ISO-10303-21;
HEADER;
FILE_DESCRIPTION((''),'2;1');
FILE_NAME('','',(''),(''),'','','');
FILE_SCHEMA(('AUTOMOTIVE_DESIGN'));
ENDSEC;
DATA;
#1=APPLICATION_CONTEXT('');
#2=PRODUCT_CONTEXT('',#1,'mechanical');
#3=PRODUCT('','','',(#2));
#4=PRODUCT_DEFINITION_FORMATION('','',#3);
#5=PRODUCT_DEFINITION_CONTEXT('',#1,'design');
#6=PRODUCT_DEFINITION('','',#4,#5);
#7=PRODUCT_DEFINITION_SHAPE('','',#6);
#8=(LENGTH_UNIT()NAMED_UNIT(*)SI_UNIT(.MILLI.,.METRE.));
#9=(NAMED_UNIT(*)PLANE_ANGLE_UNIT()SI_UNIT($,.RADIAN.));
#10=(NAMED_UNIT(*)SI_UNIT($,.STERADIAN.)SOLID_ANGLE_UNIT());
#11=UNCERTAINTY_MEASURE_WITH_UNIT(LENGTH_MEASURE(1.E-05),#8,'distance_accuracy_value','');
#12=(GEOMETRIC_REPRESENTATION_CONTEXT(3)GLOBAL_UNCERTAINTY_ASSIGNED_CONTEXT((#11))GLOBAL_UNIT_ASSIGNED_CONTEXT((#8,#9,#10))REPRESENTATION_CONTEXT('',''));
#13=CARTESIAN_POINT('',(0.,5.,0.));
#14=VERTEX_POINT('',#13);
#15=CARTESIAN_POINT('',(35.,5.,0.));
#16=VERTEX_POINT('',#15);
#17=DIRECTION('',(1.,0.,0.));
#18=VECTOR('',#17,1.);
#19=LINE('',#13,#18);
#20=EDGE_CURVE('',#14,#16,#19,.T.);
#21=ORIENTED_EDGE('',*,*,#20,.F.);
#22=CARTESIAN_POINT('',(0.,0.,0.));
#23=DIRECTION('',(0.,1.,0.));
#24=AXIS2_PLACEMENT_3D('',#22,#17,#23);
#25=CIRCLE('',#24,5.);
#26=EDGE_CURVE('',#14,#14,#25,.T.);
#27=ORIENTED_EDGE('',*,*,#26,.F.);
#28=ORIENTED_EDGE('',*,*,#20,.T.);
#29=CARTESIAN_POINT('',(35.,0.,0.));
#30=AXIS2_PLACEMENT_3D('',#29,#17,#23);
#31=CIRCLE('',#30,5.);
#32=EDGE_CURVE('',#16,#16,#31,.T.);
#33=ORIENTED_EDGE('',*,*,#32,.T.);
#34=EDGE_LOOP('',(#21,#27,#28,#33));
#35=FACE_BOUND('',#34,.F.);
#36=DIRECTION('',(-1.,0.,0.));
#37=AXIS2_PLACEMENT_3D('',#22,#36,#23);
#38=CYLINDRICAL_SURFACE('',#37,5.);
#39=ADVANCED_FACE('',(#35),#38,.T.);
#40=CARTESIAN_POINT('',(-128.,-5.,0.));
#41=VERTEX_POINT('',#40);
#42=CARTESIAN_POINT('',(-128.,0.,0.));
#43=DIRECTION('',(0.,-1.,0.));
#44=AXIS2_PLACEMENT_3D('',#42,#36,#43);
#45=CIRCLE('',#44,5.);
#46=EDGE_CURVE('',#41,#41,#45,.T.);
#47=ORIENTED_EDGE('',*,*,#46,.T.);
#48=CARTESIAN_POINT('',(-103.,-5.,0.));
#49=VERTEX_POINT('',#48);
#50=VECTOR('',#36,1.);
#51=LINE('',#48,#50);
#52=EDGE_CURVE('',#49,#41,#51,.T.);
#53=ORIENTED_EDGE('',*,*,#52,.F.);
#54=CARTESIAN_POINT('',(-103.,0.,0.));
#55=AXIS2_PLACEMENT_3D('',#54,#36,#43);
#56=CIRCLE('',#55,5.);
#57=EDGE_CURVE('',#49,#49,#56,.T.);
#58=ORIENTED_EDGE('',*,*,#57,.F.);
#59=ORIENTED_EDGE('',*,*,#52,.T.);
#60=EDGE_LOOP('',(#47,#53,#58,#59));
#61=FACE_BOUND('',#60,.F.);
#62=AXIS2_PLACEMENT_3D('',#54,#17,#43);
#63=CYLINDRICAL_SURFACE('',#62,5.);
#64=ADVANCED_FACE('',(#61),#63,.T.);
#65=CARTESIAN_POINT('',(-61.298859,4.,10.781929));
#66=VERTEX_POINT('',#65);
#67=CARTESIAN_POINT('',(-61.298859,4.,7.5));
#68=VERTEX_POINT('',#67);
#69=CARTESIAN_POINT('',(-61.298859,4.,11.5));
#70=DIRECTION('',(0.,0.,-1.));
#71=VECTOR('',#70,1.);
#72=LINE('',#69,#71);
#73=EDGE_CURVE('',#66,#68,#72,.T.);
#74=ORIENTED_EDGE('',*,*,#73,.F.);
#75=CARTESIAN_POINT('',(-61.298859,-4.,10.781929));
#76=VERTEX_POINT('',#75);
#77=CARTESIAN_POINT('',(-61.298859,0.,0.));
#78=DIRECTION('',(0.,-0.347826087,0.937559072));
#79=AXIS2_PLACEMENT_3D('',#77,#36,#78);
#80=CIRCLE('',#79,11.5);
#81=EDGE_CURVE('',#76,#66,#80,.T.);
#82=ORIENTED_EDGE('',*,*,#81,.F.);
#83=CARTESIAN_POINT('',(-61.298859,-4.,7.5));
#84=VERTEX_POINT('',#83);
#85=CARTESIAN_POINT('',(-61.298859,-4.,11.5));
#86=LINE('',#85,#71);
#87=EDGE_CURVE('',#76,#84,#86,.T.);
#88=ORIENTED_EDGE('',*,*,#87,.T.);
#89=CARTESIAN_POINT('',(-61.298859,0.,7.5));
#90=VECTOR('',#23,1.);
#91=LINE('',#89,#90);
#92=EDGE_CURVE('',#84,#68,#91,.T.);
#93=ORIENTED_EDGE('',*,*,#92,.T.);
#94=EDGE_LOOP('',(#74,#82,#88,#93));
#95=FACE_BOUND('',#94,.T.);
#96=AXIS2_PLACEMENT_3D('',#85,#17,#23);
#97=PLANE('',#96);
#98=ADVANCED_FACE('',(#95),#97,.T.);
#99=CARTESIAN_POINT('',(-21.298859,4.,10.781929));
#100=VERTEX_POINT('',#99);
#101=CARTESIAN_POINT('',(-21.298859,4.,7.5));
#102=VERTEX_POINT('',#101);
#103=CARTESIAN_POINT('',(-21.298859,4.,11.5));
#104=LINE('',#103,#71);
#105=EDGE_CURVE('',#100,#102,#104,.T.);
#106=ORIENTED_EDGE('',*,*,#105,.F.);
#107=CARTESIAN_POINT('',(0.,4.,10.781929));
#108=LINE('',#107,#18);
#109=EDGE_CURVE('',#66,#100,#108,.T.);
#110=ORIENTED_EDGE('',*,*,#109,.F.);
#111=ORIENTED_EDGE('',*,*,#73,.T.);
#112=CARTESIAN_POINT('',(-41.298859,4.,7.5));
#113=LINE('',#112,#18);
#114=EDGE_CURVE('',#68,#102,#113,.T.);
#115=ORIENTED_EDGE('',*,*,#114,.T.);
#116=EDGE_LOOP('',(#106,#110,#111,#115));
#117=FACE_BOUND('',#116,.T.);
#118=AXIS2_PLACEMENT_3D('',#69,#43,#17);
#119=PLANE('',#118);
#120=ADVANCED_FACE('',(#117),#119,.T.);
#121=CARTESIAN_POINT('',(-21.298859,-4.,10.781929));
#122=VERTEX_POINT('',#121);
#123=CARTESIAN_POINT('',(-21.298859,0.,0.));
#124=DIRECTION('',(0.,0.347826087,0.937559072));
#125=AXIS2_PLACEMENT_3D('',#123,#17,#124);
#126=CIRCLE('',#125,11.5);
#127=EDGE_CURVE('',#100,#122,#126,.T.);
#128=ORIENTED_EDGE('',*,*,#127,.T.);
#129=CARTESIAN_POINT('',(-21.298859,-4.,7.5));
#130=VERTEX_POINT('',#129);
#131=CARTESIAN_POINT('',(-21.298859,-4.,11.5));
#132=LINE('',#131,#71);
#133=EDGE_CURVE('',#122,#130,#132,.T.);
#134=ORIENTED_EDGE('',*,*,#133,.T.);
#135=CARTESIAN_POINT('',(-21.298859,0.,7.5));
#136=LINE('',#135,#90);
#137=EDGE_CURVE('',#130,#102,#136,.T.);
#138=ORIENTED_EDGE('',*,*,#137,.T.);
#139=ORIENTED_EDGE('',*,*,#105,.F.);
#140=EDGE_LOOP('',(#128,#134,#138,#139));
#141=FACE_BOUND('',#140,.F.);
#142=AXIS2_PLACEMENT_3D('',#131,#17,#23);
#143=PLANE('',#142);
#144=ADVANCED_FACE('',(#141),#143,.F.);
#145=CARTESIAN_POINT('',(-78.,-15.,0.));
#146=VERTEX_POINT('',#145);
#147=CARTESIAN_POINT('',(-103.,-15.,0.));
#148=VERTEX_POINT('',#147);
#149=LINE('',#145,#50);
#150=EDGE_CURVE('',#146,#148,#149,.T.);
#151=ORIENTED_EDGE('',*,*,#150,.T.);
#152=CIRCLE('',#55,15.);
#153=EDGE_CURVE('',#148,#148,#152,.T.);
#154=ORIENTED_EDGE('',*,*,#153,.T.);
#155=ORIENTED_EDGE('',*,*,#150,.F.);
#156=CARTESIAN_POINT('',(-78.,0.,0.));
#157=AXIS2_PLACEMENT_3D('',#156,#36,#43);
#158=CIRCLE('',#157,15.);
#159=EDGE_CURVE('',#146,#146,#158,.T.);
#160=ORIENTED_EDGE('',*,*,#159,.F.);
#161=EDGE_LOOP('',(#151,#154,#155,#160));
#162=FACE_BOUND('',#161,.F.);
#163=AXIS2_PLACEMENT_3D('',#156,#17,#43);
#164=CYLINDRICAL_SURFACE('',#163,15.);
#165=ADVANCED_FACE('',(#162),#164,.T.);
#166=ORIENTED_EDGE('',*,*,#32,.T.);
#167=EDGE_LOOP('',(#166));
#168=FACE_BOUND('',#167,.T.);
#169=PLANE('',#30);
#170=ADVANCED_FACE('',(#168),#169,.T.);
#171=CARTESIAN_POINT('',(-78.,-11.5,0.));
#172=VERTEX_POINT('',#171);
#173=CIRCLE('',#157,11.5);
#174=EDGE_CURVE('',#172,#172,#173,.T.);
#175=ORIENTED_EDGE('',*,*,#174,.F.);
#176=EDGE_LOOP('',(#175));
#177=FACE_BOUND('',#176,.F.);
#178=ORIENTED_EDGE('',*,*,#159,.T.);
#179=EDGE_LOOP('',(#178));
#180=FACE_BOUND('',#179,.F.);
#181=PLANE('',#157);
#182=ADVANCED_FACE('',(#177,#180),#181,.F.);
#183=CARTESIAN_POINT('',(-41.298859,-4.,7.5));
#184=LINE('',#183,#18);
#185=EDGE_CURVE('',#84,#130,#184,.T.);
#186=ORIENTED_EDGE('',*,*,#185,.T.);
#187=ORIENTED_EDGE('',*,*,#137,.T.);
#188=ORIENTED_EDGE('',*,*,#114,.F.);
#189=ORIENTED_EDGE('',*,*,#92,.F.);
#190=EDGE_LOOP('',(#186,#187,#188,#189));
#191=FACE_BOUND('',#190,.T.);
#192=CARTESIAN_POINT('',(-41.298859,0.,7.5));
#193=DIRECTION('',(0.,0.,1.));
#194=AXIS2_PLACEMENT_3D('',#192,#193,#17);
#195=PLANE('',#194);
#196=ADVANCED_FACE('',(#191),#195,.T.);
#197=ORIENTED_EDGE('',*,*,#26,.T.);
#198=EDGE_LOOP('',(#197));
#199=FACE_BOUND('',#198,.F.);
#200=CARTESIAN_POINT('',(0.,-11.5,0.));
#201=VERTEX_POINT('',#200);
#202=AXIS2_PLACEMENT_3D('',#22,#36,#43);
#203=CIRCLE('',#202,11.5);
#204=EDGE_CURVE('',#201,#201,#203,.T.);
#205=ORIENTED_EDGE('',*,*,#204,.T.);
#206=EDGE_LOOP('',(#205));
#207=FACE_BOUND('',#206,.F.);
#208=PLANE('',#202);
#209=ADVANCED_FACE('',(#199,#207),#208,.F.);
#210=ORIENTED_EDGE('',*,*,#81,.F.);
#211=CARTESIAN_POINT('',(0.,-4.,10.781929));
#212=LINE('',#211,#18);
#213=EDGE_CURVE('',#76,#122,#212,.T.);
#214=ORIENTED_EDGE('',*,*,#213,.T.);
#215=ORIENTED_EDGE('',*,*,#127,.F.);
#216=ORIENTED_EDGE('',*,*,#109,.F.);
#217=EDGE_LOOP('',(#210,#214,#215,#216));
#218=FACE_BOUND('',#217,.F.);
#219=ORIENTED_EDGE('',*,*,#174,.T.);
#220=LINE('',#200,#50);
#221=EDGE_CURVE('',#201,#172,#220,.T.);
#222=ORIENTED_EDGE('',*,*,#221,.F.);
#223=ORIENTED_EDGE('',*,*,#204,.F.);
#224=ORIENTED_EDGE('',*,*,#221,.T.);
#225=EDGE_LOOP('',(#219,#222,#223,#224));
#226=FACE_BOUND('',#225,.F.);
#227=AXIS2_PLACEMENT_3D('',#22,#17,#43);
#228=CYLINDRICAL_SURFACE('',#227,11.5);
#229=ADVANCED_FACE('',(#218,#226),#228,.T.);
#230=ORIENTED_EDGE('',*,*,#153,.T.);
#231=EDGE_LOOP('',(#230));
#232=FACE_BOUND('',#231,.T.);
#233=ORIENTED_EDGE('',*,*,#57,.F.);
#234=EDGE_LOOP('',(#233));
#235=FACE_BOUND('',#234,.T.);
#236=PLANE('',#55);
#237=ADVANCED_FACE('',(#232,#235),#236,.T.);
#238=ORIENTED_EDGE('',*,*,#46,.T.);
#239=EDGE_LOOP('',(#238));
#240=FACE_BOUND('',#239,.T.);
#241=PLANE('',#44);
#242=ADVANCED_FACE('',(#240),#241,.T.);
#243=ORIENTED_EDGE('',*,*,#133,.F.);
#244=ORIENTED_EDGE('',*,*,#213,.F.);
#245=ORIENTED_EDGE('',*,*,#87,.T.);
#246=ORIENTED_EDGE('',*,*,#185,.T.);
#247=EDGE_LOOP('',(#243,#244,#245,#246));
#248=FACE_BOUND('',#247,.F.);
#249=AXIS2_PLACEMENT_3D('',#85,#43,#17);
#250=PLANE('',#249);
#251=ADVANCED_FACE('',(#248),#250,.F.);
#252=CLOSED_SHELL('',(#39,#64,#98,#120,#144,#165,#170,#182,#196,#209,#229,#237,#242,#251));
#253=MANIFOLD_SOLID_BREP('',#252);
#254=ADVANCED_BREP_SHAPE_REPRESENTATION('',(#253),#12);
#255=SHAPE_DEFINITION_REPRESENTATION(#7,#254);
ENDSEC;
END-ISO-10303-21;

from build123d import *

# Parameters (mm, degrees)
F0_R      = 5
F1_DEPTH  = 35
F2_R      = 11.5
F3_DEPTH  = 78
F4_R      = 15
F5_DEPTH  = 25
F6_R      = 5
F7_DEPTH  = 25
F9_W      = 40
F9_H      = 8
F10_DEPTH = 4


with BuildPart() as f1:
    # F0 (on Right) → F1 (new body)
    with BuildSketch(Plane.YZ):
        Circle(F0_R)
    extrude(amount=F1_DEPTH)

    # F2 (on face) → F3 (join)
    with BuildSketch(Plane(origin=(0, 0, 0), x_dir=(0, -1, 0), z_dir=(-1, 0, 0))):
        Circle(F2_R)
    extrude(amount=F3_DEPTH)

    # F4 (on face) → F5 (join)
    with BuildSketch(Plane(origin=(-78, 0, 0), x_dir=(0, -1, 0), z_dir=(-1, 0, 0))):
        Circle(F4_R)
    extrude(amount=F5_DEPTH)

    # F6 (on face) → F7 (join)
    with BuildSketch(Plane(origin=(-103, 0, 0), x_dir=(0, -1, 0), z_dir=(-1, 0, 0))):
        Circle(F6_R)
    extrude(amount=F7_DEPTH)

    # F9 (on offset) → F10 (cut)
    with BuildSketch(Plane.XY.offset(11.5)):
        with Locations((-41.2988585503, 0)):
            Rectangle(F9_W, F9_H)
    extrude(amount=-F10_DEPTH, mode=Mode.SUBTRACT)


solid = f1.part
